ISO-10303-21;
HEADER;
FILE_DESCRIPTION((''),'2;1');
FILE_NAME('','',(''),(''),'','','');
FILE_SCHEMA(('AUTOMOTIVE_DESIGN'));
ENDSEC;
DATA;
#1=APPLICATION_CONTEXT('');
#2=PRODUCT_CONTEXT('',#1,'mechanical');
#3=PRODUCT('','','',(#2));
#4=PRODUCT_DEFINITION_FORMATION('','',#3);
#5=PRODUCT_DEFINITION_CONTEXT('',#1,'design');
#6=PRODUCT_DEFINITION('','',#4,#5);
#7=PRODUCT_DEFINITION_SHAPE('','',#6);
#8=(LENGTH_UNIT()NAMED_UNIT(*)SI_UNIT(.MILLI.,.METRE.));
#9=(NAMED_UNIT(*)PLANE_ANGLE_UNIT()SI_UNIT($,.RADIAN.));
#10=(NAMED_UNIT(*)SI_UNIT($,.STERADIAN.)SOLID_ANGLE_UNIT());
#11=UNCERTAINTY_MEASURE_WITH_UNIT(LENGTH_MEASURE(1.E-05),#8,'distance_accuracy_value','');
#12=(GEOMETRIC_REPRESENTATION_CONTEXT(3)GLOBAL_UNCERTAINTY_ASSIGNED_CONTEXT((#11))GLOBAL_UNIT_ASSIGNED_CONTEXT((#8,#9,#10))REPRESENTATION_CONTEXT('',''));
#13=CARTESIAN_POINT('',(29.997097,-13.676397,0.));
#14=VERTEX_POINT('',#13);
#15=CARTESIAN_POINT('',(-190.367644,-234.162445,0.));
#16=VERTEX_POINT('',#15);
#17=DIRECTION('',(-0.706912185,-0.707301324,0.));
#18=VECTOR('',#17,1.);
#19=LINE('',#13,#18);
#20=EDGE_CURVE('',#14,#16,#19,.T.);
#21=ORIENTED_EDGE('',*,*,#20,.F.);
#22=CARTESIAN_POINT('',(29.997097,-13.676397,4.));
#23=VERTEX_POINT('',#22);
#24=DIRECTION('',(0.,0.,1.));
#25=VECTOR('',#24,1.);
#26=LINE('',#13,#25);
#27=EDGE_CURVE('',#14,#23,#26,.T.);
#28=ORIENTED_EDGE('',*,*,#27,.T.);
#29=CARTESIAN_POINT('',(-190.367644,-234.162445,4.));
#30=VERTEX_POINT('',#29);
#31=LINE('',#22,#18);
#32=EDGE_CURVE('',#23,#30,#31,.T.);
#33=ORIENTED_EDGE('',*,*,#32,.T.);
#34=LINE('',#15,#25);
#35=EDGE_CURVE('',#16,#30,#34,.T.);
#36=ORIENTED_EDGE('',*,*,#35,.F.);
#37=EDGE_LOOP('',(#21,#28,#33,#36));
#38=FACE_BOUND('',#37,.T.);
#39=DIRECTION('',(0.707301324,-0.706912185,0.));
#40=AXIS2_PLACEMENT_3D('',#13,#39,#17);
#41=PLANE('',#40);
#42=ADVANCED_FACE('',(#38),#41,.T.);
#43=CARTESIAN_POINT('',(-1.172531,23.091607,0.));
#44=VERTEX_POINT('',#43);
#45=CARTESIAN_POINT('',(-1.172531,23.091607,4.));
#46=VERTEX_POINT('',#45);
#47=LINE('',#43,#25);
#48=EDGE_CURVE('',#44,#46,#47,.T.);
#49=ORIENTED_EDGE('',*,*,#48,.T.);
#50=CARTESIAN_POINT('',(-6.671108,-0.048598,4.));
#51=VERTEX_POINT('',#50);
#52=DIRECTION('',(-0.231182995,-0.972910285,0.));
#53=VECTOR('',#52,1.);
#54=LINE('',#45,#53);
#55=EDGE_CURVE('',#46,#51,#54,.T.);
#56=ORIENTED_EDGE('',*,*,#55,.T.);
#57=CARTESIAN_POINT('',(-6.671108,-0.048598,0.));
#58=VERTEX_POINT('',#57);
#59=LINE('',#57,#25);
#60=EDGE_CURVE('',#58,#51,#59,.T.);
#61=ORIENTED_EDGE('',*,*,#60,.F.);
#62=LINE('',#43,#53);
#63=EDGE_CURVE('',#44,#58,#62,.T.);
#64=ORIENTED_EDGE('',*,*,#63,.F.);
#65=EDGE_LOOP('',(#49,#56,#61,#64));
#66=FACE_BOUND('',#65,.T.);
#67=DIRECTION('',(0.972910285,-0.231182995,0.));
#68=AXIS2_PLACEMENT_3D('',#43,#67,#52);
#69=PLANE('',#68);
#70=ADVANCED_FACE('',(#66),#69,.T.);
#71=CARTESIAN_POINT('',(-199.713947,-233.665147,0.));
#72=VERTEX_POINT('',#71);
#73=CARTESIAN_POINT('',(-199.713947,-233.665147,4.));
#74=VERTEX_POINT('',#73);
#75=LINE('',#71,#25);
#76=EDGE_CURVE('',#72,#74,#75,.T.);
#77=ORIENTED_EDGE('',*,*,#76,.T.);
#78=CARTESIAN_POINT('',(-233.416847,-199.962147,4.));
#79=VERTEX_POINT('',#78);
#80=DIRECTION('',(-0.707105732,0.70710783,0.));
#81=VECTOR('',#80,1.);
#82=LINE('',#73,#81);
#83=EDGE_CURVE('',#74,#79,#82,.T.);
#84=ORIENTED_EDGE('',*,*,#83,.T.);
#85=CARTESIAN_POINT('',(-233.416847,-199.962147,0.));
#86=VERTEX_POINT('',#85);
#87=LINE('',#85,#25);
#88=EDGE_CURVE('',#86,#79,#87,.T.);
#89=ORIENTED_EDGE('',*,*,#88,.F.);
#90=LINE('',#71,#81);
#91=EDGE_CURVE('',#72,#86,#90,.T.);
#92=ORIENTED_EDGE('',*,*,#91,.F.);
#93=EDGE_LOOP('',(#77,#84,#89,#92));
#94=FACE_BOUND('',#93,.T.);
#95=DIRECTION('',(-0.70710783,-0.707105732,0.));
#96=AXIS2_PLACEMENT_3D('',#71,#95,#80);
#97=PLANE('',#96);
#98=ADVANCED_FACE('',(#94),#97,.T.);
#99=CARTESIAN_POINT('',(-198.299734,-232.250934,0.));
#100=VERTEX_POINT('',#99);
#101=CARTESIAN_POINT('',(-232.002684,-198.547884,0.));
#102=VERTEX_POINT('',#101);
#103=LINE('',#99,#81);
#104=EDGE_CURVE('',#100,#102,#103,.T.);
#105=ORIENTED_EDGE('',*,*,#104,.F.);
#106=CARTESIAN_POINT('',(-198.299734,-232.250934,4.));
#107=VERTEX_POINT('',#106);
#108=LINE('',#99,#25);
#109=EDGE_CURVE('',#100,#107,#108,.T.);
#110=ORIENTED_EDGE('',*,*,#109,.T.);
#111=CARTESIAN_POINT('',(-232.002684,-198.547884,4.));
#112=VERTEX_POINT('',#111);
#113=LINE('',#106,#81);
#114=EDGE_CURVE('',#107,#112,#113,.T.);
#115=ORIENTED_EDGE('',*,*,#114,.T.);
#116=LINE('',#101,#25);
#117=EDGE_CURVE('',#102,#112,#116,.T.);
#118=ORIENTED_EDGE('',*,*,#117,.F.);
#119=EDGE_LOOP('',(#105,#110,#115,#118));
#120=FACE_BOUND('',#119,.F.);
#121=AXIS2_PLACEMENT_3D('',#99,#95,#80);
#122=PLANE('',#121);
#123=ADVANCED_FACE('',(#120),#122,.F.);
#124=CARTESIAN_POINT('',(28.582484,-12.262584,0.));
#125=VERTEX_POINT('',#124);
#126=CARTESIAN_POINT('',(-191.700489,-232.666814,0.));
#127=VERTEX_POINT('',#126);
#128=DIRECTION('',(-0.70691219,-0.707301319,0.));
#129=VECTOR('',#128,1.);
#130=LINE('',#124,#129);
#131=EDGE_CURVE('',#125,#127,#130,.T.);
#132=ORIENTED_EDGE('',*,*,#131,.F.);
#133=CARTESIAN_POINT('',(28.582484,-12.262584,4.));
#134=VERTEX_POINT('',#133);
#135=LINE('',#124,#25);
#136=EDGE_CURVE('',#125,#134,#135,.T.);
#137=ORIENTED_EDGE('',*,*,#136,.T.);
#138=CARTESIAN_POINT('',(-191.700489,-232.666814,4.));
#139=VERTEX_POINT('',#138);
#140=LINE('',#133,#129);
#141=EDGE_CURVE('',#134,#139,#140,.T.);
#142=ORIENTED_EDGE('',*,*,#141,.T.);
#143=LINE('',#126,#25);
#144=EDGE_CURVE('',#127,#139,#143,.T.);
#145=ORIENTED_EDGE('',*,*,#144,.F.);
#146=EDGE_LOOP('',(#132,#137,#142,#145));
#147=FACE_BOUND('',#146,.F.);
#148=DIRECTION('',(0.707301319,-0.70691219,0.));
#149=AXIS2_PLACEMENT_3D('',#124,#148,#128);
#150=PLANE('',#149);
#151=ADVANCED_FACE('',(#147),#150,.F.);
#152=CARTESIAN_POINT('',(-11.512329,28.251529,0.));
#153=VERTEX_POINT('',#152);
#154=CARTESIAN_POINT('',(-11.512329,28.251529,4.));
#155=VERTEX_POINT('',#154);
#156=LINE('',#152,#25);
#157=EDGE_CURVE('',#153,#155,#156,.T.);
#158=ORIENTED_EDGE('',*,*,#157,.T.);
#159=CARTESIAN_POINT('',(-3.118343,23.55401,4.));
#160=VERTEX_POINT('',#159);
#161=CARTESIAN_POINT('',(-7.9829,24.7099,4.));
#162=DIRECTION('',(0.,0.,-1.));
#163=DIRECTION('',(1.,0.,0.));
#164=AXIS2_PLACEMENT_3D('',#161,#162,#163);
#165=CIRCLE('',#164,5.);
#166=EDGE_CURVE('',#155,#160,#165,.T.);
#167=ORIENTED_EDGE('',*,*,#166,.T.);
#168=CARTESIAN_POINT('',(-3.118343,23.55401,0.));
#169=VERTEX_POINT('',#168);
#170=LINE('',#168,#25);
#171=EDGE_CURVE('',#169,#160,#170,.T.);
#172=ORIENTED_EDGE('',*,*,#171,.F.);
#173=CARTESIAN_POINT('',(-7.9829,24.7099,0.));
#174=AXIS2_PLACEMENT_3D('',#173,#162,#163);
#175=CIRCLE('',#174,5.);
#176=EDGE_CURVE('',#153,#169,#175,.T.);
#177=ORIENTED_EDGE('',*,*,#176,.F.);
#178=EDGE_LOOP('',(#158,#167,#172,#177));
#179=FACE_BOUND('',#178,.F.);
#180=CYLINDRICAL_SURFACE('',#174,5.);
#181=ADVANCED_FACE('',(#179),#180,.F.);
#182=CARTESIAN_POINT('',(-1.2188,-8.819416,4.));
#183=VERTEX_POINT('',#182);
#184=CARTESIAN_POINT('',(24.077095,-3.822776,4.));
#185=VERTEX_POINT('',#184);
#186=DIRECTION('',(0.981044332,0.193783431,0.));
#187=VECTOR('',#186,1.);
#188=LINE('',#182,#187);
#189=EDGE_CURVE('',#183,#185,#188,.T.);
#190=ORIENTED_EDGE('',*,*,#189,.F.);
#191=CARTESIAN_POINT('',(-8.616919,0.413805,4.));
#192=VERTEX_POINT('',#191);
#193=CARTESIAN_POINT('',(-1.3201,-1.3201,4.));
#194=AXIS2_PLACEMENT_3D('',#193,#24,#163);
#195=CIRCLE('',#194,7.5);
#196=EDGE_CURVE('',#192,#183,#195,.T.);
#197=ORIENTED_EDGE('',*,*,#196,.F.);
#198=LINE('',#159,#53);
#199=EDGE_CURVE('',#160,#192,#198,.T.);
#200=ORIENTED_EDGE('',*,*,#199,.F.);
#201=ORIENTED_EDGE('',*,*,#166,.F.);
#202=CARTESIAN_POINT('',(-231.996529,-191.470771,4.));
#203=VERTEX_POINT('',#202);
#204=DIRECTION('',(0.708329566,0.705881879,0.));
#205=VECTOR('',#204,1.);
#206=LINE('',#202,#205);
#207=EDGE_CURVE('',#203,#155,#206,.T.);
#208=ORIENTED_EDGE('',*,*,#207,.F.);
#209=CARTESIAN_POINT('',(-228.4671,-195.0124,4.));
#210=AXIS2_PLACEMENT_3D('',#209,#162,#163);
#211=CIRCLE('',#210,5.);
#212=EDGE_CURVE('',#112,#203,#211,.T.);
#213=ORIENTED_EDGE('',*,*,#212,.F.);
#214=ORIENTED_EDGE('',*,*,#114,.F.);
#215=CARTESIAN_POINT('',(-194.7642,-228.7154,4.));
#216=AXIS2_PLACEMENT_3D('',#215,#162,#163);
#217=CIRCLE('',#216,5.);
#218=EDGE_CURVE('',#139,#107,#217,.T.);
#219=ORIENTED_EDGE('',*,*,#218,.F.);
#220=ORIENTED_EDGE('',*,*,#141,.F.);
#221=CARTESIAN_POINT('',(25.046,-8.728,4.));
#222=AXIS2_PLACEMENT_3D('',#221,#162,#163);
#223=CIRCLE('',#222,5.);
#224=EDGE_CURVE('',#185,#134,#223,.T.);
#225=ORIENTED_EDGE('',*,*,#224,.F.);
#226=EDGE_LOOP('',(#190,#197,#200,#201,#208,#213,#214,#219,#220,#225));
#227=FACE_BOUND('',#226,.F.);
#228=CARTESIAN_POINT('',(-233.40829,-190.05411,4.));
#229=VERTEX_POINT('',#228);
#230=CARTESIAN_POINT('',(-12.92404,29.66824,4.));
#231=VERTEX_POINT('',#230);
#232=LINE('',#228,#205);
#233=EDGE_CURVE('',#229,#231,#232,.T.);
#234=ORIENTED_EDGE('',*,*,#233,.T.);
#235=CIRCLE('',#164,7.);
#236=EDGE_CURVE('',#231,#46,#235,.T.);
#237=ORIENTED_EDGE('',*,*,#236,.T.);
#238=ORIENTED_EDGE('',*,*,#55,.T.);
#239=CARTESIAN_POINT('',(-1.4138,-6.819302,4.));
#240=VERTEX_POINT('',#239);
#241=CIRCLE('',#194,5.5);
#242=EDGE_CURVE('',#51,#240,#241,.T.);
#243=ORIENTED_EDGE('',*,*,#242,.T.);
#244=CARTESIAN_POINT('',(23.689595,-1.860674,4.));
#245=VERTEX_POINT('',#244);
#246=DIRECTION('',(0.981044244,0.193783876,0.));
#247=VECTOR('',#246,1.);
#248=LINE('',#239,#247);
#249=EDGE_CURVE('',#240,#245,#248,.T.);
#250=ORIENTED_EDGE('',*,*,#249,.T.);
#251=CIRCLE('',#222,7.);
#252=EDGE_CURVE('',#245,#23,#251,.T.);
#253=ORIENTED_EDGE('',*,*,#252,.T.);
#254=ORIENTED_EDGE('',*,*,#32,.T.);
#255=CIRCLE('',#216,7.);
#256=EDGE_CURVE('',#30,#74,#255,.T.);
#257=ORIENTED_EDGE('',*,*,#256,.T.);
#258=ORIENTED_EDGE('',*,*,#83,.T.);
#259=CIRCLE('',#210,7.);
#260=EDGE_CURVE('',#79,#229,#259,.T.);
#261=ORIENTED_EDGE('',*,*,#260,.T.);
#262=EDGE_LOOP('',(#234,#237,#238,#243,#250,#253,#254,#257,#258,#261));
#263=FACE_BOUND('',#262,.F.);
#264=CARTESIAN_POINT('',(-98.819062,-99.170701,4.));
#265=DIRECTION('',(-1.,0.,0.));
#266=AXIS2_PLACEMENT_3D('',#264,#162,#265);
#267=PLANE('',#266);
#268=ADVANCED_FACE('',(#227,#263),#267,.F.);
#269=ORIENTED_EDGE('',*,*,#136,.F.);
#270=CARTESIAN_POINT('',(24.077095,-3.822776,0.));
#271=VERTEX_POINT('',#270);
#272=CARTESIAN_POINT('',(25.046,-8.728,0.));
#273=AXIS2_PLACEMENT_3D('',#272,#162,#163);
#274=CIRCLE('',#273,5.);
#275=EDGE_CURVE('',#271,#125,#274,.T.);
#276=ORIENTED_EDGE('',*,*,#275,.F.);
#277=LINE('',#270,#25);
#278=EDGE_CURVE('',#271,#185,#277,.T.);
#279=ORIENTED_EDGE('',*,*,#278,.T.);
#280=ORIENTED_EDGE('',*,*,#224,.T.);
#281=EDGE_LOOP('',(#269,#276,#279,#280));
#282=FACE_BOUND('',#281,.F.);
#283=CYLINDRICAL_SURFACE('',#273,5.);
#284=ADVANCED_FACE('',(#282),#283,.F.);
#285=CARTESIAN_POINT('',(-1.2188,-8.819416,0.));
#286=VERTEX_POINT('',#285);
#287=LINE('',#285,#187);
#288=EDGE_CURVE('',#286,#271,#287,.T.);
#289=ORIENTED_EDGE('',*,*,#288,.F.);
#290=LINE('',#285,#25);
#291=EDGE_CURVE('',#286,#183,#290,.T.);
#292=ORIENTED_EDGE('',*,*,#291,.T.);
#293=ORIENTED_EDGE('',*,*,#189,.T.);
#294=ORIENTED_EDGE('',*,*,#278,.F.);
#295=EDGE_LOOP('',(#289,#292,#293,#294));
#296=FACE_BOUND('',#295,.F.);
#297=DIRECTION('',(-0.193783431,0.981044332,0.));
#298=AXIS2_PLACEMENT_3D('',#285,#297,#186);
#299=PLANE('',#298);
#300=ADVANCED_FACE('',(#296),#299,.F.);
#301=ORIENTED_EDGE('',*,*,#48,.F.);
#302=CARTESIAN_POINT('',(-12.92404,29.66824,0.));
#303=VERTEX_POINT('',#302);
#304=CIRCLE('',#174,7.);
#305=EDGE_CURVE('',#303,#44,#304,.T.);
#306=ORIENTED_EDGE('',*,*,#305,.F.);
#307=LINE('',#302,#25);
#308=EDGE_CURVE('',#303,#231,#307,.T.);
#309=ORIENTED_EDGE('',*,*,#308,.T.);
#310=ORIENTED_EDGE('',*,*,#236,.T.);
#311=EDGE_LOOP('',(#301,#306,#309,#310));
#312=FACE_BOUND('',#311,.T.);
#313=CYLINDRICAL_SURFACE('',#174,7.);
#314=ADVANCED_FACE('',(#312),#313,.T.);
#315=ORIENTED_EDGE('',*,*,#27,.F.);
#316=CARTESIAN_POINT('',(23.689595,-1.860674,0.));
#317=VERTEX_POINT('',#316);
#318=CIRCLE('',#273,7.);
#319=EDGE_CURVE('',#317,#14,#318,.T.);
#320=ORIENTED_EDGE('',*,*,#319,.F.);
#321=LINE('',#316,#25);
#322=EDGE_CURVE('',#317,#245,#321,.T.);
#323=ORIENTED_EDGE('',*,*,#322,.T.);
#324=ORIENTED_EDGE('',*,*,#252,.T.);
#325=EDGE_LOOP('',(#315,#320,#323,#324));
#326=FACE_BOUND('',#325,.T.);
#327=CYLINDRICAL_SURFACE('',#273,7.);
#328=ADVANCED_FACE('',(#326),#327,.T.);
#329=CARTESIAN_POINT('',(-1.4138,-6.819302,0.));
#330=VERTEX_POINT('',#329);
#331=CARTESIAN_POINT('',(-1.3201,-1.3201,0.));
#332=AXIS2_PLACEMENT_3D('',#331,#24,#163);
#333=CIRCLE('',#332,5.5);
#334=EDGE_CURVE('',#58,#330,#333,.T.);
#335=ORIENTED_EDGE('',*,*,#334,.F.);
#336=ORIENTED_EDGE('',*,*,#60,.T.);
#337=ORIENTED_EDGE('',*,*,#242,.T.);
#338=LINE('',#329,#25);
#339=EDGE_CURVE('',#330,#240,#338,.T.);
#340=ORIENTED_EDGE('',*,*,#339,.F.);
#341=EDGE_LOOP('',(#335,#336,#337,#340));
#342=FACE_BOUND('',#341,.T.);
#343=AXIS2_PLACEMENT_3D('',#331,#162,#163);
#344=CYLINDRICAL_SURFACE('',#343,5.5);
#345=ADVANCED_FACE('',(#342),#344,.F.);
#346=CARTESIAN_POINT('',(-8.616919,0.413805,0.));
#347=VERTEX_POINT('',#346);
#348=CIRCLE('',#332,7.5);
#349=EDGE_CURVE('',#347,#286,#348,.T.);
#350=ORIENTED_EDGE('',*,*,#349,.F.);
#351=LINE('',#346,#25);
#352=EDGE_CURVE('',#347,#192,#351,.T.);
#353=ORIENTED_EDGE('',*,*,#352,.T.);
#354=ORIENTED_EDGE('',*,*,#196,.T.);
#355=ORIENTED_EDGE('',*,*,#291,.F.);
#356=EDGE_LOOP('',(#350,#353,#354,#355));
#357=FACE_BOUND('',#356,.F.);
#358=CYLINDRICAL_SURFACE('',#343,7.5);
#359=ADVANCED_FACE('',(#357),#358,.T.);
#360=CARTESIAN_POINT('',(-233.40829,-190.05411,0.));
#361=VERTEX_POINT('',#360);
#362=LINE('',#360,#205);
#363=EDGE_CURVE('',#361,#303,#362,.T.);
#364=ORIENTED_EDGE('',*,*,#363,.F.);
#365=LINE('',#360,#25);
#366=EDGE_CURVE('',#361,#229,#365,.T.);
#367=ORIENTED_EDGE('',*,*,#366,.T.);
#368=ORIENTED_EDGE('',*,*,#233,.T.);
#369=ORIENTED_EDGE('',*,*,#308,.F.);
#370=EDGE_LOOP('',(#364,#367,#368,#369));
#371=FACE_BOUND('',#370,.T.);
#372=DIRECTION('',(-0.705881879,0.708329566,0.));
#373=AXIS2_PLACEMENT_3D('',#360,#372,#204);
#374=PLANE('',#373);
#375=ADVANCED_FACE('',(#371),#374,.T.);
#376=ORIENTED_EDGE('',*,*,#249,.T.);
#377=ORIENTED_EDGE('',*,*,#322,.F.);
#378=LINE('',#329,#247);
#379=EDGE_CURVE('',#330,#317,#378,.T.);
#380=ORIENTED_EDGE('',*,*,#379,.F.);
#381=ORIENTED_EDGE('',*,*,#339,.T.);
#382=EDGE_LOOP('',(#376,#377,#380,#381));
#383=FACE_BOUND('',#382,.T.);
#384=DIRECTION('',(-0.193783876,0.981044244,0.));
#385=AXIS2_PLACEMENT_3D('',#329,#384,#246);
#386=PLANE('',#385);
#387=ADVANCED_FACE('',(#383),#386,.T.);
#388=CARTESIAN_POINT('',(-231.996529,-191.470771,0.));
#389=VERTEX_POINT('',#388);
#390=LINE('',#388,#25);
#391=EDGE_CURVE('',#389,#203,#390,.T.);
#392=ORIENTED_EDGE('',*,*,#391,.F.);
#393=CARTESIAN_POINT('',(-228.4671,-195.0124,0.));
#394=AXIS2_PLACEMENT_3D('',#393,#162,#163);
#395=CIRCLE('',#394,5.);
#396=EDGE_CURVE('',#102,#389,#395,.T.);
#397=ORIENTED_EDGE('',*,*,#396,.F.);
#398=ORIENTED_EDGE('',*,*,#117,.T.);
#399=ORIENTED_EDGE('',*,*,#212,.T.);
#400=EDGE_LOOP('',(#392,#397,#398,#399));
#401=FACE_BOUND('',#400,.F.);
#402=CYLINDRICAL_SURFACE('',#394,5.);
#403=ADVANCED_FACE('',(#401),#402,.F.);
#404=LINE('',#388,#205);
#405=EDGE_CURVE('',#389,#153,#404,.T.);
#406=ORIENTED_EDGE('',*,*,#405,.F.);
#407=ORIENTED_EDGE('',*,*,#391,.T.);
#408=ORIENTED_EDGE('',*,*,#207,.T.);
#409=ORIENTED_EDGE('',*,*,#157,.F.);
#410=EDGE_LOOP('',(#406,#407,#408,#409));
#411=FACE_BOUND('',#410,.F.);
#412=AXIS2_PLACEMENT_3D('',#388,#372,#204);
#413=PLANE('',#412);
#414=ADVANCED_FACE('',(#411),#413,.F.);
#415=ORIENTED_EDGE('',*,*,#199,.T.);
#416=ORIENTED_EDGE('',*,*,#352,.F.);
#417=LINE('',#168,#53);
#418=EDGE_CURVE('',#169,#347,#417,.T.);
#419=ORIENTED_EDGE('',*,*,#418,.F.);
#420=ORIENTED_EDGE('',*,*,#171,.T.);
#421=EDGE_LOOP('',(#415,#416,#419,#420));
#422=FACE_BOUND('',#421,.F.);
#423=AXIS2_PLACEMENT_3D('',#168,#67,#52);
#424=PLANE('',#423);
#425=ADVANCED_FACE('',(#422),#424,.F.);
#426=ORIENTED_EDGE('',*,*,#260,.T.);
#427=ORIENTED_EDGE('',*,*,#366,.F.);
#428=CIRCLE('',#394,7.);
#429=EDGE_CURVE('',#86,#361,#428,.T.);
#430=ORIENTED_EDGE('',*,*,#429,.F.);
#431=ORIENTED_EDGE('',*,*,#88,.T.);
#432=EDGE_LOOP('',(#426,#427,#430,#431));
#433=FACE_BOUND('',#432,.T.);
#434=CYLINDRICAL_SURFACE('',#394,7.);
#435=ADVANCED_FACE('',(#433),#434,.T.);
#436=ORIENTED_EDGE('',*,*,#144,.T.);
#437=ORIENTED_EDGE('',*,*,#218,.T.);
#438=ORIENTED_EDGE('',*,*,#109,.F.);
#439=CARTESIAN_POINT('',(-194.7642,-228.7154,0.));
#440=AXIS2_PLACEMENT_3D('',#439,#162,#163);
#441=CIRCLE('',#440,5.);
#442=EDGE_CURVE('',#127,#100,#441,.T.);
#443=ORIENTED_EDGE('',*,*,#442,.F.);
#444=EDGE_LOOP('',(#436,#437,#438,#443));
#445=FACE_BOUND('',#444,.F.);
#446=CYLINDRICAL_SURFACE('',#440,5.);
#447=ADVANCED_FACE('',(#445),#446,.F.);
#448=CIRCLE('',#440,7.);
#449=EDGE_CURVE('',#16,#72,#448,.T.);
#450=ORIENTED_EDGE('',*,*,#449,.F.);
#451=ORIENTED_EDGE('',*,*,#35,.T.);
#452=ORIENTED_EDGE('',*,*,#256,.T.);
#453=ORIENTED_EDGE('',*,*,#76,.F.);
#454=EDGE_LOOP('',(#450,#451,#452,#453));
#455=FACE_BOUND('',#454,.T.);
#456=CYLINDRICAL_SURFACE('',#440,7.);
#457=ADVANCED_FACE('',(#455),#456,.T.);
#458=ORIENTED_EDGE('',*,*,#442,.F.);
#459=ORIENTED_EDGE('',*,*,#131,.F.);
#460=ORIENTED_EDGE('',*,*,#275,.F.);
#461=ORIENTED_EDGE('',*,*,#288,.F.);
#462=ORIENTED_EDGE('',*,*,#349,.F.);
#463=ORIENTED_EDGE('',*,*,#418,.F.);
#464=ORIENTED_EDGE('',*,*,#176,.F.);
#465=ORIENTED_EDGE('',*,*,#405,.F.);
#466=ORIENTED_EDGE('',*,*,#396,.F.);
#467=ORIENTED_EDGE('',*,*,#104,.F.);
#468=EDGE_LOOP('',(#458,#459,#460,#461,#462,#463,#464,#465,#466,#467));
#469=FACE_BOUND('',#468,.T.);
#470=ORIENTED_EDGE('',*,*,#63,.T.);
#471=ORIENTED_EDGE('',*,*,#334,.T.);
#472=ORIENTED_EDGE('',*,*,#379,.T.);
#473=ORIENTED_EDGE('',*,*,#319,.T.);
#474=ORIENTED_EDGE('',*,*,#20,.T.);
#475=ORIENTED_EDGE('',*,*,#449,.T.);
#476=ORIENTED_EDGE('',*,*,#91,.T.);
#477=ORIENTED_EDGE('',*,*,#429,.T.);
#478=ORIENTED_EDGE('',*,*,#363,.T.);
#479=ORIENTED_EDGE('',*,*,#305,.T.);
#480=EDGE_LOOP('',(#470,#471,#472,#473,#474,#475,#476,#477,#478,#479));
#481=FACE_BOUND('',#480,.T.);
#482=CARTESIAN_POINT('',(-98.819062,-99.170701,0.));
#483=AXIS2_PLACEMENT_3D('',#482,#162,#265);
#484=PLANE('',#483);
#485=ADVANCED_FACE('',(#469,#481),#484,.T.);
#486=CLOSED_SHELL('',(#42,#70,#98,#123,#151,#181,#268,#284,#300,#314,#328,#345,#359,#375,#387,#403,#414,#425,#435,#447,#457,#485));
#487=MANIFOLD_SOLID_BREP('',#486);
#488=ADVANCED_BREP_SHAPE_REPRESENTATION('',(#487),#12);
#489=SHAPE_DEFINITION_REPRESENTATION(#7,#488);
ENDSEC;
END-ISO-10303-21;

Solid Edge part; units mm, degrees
sketch "Sketch1" plane through (0, 0, 0) normal (0, 0, 1) x (1, 0, 0)
  line L0 (29.9971, -13.6764) -> (-190.3676, -234.1625)
  arc A0 (-190.3676, -234.1625) -> (-199.7139, -233.6651) centre (-194.7642, -228.7154) cw
  line L1 (-199.7139, -233.6651) -> (-233.4169, -199.9622)
  arc A1 (-233.4169, -199.9622) -> (-233.4083, -190.0541) centre (-228.4671, -195.0124) cw
  line L2 (-233.4083, -190.0541) -> (-12.924, 29.6682)
  arc A2 (-12.924, 29.6682) -> (-1.1725, 23.0916) centre (-7.9829, 24.7099) cw
  line L3 (-1.1725, 23.0916) -> (-6.6711, -0.0486)
  arc A3 (-6.6711, -0.0486) -> (-1.4138, -6.8193) centre (-1.3201, -1.3201) ccw
  line L4 (-1.4138, -6.8193) -> (23.6896, -1.8607)
  arc A4 (23.6896, -1.8607) -> (29.9971, -13.6764) centre (25.046, -8.728) cw
  line L5 (28.5825, -12.2626) -> (-191.7005, -232.6668)
  arc A5 (-191.7005, -232.6668) -> (-198.2997, -232.2509) centre (-194.7642, -228.7154) cw
  line L6 (-198.2997, -232.2509) -> (-232.0027, -198.5479)
  arc A6 (-232.0027, -198.5479) -> (-231.9965, -191.4708) centre (-228.4671, -195.0124) cw
  line L7 (-231.9965, -191.4708) -> (-11.5123, 28.2515)
  arc A7 (-11.5123, 28.2515) -> (-3.1183, 23.554) centre (-7.9829, 24.7099) cw
  line L8 (-3.1183, 23.554) -> (-8.6169, 0.4138)
  arc A8 (-8.6169, 0.4138) -> (-1.2188, -8.8194) centre (-1.3201, -1.3201) ccw
  line L9 (-1.2188, -8.8194) -> (24.0771, -3.8228)
  arc A9 (24.0771, -3.8228) -> (28.5825, -12.2626) centre (25.046, -8.728) cw
  dimension "D1" = 1
  dimension "D2" = 1
  dimension "D3" = 1
  dimension "D4" = 1
  dimension "D5" = 1
  dimension "D6" = 1
extrude "Protrusion1" add sketch "Sketch1" along normal blind 4
properties material "Steel"
